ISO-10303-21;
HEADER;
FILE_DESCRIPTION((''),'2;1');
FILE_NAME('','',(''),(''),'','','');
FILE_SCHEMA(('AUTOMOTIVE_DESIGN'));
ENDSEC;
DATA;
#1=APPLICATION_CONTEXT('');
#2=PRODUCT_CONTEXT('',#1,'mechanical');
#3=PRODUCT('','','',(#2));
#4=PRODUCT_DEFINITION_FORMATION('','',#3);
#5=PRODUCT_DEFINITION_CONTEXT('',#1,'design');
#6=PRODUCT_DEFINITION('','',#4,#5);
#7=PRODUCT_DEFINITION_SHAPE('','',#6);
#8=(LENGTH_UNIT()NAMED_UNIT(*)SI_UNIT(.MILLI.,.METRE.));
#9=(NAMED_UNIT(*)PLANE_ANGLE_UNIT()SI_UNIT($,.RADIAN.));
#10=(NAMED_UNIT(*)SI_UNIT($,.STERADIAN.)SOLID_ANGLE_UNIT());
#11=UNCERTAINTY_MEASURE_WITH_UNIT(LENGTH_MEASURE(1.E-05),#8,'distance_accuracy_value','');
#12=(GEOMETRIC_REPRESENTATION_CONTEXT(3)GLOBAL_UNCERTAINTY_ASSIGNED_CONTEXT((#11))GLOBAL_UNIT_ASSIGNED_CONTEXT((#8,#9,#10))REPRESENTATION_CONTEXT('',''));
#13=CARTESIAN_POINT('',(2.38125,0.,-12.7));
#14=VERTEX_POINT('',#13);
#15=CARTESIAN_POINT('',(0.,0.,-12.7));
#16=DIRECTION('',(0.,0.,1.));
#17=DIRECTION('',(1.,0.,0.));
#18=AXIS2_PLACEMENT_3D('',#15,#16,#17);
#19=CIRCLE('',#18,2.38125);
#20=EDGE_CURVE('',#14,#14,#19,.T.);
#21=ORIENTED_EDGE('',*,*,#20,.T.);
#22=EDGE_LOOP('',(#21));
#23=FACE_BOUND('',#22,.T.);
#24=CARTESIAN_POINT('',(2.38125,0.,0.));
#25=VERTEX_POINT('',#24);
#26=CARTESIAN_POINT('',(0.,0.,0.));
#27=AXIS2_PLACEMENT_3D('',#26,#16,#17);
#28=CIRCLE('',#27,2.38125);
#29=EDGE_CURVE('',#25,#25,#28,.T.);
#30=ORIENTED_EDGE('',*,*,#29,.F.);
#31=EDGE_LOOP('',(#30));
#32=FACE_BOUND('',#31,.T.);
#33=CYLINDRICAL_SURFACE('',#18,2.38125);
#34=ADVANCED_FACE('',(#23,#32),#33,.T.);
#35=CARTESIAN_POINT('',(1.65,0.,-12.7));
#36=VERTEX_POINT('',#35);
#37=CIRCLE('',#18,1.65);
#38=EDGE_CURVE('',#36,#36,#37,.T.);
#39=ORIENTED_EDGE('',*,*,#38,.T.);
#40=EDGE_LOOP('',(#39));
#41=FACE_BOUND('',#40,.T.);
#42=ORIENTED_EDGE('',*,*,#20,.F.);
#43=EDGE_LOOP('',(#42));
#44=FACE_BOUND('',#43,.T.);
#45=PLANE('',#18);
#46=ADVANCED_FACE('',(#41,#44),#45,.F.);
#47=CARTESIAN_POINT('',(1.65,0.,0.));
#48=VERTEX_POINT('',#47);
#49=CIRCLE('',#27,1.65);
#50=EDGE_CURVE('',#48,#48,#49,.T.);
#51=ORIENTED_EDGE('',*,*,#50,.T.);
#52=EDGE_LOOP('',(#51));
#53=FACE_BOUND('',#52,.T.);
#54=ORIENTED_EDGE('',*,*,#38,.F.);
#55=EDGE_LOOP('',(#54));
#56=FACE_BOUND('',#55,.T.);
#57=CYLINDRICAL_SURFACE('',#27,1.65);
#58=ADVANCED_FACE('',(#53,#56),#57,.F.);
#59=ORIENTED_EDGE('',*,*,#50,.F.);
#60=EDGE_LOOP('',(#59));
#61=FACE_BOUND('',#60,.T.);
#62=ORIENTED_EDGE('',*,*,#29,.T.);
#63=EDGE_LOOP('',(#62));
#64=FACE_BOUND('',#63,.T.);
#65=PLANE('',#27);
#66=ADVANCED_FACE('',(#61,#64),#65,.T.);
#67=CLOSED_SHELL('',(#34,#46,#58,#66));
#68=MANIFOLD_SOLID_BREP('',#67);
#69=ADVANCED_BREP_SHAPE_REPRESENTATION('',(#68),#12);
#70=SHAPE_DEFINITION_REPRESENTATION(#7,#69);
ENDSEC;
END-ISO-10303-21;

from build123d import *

# Parameters (mm, degrees)
SKETCH1_R             = 2.38125
BOSS_EXTRUDE1_DEPTH   = 12.7
M4X0_7_TAPPED_HOLE1_D = 3.3


with BuildPart() as part:
    # Sketch1 → Boss-Extrude1 (new body)
    with BuildSketch(Plane.XY):
        Circle(SKETCH1_R)
    extrude(amount=-BOSS_EXTRUDE1_DEPTH)

    # M4x0.7 Tapped Hole1 (through all)
    with Locations(Plane.XY):
        with Locations((0, 0)):
            Hole(M4X0_7_TAPPED_HOLE1_D / 2)


solid = part.part
